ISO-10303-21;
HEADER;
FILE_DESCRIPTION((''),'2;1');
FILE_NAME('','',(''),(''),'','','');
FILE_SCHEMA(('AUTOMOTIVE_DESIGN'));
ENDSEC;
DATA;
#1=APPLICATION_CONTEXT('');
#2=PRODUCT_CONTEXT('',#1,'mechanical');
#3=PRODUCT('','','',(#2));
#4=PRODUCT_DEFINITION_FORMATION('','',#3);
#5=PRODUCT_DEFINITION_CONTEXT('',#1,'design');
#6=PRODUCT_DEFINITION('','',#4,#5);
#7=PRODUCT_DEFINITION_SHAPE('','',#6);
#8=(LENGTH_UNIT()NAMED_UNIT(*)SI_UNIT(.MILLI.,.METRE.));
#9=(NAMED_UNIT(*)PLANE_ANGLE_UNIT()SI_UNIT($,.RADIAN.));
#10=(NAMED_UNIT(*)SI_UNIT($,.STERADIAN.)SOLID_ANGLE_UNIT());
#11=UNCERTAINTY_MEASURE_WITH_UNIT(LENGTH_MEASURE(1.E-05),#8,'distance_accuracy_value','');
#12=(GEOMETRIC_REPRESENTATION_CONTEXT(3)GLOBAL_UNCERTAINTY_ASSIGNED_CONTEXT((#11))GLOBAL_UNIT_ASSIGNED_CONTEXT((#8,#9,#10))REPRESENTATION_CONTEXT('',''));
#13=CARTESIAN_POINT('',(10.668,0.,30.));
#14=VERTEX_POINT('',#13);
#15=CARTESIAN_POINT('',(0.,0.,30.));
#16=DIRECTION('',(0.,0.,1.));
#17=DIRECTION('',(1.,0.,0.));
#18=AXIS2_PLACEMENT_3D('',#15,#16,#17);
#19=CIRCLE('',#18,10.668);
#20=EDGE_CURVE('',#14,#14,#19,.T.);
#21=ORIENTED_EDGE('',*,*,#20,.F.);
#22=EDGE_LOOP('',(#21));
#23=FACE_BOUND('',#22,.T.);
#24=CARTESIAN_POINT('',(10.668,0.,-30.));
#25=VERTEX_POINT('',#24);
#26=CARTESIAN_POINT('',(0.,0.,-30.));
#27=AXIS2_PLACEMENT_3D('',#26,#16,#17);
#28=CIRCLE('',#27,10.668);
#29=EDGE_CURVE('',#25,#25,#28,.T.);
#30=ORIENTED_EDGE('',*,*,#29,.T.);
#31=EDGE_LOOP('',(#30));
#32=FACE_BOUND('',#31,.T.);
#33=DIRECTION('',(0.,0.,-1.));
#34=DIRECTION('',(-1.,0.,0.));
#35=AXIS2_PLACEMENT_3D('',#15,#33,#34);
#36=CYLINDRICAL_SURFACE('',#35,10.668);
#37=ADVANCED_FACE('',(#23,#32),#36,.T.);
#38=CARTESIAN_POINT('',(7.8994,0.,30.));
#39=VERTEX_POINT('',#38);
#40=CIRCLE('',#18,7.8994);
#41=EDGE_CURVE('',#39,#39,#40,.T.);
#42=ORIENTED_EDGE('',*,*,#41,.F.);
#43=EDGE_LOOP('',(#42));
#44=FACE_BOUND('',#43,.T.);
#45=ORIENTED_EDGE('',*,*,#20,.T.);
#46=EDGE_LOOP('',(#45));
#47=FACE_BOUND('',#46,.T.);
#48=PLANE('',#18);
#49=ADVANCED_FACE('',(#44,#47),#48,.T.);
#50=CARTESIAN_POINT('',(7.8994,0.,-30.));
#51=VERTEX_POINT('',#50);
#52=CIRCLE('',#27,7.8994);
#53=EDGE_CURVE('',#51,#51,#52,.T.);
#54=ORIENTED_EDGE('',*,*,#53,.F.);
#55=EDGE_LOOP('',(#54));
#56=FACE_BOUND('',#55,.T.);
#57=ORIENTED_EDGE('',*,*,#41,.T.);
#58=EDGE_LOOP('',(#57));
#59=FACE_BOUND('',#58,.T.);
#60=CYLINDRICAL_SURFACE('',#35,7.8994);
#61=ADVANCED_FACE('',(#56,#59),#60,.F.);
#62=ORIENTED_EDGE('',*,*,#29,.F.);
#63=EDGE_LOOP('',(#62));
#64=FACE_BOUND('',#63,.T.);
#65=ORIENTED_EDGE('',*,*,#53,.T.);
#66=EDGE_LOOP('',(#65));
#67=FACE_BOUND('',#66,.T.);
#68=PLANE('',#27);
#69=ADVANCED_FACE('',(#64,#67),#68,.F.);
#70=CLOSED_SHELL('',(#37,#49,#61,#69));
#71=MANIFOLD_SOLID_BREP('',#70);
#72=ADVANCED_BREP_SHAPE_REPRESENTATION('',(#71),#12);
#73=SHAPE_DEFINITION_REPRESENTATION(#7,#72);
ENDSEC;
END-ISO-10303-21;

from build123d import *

# Parameters (mm, degrees)
SKETCH1_R           = 10.668
SKETCH1_R_2         = 7.8994
EXTRUDE_THIN1_DEPTH = 30


with BuildPart() as part:
    # Sketch1 → Extrude-Thin1 (new body, symmetric)
    with BuildSketch(Plane.XY):
        Circle(SKETCH1_R)
        Circle(SKETCH1_R_2, mode=Mode.SUBTRACT)
    extrude(amount=EXTRUDE_THIN1_DEPTH, both=True)


solid = part.part
